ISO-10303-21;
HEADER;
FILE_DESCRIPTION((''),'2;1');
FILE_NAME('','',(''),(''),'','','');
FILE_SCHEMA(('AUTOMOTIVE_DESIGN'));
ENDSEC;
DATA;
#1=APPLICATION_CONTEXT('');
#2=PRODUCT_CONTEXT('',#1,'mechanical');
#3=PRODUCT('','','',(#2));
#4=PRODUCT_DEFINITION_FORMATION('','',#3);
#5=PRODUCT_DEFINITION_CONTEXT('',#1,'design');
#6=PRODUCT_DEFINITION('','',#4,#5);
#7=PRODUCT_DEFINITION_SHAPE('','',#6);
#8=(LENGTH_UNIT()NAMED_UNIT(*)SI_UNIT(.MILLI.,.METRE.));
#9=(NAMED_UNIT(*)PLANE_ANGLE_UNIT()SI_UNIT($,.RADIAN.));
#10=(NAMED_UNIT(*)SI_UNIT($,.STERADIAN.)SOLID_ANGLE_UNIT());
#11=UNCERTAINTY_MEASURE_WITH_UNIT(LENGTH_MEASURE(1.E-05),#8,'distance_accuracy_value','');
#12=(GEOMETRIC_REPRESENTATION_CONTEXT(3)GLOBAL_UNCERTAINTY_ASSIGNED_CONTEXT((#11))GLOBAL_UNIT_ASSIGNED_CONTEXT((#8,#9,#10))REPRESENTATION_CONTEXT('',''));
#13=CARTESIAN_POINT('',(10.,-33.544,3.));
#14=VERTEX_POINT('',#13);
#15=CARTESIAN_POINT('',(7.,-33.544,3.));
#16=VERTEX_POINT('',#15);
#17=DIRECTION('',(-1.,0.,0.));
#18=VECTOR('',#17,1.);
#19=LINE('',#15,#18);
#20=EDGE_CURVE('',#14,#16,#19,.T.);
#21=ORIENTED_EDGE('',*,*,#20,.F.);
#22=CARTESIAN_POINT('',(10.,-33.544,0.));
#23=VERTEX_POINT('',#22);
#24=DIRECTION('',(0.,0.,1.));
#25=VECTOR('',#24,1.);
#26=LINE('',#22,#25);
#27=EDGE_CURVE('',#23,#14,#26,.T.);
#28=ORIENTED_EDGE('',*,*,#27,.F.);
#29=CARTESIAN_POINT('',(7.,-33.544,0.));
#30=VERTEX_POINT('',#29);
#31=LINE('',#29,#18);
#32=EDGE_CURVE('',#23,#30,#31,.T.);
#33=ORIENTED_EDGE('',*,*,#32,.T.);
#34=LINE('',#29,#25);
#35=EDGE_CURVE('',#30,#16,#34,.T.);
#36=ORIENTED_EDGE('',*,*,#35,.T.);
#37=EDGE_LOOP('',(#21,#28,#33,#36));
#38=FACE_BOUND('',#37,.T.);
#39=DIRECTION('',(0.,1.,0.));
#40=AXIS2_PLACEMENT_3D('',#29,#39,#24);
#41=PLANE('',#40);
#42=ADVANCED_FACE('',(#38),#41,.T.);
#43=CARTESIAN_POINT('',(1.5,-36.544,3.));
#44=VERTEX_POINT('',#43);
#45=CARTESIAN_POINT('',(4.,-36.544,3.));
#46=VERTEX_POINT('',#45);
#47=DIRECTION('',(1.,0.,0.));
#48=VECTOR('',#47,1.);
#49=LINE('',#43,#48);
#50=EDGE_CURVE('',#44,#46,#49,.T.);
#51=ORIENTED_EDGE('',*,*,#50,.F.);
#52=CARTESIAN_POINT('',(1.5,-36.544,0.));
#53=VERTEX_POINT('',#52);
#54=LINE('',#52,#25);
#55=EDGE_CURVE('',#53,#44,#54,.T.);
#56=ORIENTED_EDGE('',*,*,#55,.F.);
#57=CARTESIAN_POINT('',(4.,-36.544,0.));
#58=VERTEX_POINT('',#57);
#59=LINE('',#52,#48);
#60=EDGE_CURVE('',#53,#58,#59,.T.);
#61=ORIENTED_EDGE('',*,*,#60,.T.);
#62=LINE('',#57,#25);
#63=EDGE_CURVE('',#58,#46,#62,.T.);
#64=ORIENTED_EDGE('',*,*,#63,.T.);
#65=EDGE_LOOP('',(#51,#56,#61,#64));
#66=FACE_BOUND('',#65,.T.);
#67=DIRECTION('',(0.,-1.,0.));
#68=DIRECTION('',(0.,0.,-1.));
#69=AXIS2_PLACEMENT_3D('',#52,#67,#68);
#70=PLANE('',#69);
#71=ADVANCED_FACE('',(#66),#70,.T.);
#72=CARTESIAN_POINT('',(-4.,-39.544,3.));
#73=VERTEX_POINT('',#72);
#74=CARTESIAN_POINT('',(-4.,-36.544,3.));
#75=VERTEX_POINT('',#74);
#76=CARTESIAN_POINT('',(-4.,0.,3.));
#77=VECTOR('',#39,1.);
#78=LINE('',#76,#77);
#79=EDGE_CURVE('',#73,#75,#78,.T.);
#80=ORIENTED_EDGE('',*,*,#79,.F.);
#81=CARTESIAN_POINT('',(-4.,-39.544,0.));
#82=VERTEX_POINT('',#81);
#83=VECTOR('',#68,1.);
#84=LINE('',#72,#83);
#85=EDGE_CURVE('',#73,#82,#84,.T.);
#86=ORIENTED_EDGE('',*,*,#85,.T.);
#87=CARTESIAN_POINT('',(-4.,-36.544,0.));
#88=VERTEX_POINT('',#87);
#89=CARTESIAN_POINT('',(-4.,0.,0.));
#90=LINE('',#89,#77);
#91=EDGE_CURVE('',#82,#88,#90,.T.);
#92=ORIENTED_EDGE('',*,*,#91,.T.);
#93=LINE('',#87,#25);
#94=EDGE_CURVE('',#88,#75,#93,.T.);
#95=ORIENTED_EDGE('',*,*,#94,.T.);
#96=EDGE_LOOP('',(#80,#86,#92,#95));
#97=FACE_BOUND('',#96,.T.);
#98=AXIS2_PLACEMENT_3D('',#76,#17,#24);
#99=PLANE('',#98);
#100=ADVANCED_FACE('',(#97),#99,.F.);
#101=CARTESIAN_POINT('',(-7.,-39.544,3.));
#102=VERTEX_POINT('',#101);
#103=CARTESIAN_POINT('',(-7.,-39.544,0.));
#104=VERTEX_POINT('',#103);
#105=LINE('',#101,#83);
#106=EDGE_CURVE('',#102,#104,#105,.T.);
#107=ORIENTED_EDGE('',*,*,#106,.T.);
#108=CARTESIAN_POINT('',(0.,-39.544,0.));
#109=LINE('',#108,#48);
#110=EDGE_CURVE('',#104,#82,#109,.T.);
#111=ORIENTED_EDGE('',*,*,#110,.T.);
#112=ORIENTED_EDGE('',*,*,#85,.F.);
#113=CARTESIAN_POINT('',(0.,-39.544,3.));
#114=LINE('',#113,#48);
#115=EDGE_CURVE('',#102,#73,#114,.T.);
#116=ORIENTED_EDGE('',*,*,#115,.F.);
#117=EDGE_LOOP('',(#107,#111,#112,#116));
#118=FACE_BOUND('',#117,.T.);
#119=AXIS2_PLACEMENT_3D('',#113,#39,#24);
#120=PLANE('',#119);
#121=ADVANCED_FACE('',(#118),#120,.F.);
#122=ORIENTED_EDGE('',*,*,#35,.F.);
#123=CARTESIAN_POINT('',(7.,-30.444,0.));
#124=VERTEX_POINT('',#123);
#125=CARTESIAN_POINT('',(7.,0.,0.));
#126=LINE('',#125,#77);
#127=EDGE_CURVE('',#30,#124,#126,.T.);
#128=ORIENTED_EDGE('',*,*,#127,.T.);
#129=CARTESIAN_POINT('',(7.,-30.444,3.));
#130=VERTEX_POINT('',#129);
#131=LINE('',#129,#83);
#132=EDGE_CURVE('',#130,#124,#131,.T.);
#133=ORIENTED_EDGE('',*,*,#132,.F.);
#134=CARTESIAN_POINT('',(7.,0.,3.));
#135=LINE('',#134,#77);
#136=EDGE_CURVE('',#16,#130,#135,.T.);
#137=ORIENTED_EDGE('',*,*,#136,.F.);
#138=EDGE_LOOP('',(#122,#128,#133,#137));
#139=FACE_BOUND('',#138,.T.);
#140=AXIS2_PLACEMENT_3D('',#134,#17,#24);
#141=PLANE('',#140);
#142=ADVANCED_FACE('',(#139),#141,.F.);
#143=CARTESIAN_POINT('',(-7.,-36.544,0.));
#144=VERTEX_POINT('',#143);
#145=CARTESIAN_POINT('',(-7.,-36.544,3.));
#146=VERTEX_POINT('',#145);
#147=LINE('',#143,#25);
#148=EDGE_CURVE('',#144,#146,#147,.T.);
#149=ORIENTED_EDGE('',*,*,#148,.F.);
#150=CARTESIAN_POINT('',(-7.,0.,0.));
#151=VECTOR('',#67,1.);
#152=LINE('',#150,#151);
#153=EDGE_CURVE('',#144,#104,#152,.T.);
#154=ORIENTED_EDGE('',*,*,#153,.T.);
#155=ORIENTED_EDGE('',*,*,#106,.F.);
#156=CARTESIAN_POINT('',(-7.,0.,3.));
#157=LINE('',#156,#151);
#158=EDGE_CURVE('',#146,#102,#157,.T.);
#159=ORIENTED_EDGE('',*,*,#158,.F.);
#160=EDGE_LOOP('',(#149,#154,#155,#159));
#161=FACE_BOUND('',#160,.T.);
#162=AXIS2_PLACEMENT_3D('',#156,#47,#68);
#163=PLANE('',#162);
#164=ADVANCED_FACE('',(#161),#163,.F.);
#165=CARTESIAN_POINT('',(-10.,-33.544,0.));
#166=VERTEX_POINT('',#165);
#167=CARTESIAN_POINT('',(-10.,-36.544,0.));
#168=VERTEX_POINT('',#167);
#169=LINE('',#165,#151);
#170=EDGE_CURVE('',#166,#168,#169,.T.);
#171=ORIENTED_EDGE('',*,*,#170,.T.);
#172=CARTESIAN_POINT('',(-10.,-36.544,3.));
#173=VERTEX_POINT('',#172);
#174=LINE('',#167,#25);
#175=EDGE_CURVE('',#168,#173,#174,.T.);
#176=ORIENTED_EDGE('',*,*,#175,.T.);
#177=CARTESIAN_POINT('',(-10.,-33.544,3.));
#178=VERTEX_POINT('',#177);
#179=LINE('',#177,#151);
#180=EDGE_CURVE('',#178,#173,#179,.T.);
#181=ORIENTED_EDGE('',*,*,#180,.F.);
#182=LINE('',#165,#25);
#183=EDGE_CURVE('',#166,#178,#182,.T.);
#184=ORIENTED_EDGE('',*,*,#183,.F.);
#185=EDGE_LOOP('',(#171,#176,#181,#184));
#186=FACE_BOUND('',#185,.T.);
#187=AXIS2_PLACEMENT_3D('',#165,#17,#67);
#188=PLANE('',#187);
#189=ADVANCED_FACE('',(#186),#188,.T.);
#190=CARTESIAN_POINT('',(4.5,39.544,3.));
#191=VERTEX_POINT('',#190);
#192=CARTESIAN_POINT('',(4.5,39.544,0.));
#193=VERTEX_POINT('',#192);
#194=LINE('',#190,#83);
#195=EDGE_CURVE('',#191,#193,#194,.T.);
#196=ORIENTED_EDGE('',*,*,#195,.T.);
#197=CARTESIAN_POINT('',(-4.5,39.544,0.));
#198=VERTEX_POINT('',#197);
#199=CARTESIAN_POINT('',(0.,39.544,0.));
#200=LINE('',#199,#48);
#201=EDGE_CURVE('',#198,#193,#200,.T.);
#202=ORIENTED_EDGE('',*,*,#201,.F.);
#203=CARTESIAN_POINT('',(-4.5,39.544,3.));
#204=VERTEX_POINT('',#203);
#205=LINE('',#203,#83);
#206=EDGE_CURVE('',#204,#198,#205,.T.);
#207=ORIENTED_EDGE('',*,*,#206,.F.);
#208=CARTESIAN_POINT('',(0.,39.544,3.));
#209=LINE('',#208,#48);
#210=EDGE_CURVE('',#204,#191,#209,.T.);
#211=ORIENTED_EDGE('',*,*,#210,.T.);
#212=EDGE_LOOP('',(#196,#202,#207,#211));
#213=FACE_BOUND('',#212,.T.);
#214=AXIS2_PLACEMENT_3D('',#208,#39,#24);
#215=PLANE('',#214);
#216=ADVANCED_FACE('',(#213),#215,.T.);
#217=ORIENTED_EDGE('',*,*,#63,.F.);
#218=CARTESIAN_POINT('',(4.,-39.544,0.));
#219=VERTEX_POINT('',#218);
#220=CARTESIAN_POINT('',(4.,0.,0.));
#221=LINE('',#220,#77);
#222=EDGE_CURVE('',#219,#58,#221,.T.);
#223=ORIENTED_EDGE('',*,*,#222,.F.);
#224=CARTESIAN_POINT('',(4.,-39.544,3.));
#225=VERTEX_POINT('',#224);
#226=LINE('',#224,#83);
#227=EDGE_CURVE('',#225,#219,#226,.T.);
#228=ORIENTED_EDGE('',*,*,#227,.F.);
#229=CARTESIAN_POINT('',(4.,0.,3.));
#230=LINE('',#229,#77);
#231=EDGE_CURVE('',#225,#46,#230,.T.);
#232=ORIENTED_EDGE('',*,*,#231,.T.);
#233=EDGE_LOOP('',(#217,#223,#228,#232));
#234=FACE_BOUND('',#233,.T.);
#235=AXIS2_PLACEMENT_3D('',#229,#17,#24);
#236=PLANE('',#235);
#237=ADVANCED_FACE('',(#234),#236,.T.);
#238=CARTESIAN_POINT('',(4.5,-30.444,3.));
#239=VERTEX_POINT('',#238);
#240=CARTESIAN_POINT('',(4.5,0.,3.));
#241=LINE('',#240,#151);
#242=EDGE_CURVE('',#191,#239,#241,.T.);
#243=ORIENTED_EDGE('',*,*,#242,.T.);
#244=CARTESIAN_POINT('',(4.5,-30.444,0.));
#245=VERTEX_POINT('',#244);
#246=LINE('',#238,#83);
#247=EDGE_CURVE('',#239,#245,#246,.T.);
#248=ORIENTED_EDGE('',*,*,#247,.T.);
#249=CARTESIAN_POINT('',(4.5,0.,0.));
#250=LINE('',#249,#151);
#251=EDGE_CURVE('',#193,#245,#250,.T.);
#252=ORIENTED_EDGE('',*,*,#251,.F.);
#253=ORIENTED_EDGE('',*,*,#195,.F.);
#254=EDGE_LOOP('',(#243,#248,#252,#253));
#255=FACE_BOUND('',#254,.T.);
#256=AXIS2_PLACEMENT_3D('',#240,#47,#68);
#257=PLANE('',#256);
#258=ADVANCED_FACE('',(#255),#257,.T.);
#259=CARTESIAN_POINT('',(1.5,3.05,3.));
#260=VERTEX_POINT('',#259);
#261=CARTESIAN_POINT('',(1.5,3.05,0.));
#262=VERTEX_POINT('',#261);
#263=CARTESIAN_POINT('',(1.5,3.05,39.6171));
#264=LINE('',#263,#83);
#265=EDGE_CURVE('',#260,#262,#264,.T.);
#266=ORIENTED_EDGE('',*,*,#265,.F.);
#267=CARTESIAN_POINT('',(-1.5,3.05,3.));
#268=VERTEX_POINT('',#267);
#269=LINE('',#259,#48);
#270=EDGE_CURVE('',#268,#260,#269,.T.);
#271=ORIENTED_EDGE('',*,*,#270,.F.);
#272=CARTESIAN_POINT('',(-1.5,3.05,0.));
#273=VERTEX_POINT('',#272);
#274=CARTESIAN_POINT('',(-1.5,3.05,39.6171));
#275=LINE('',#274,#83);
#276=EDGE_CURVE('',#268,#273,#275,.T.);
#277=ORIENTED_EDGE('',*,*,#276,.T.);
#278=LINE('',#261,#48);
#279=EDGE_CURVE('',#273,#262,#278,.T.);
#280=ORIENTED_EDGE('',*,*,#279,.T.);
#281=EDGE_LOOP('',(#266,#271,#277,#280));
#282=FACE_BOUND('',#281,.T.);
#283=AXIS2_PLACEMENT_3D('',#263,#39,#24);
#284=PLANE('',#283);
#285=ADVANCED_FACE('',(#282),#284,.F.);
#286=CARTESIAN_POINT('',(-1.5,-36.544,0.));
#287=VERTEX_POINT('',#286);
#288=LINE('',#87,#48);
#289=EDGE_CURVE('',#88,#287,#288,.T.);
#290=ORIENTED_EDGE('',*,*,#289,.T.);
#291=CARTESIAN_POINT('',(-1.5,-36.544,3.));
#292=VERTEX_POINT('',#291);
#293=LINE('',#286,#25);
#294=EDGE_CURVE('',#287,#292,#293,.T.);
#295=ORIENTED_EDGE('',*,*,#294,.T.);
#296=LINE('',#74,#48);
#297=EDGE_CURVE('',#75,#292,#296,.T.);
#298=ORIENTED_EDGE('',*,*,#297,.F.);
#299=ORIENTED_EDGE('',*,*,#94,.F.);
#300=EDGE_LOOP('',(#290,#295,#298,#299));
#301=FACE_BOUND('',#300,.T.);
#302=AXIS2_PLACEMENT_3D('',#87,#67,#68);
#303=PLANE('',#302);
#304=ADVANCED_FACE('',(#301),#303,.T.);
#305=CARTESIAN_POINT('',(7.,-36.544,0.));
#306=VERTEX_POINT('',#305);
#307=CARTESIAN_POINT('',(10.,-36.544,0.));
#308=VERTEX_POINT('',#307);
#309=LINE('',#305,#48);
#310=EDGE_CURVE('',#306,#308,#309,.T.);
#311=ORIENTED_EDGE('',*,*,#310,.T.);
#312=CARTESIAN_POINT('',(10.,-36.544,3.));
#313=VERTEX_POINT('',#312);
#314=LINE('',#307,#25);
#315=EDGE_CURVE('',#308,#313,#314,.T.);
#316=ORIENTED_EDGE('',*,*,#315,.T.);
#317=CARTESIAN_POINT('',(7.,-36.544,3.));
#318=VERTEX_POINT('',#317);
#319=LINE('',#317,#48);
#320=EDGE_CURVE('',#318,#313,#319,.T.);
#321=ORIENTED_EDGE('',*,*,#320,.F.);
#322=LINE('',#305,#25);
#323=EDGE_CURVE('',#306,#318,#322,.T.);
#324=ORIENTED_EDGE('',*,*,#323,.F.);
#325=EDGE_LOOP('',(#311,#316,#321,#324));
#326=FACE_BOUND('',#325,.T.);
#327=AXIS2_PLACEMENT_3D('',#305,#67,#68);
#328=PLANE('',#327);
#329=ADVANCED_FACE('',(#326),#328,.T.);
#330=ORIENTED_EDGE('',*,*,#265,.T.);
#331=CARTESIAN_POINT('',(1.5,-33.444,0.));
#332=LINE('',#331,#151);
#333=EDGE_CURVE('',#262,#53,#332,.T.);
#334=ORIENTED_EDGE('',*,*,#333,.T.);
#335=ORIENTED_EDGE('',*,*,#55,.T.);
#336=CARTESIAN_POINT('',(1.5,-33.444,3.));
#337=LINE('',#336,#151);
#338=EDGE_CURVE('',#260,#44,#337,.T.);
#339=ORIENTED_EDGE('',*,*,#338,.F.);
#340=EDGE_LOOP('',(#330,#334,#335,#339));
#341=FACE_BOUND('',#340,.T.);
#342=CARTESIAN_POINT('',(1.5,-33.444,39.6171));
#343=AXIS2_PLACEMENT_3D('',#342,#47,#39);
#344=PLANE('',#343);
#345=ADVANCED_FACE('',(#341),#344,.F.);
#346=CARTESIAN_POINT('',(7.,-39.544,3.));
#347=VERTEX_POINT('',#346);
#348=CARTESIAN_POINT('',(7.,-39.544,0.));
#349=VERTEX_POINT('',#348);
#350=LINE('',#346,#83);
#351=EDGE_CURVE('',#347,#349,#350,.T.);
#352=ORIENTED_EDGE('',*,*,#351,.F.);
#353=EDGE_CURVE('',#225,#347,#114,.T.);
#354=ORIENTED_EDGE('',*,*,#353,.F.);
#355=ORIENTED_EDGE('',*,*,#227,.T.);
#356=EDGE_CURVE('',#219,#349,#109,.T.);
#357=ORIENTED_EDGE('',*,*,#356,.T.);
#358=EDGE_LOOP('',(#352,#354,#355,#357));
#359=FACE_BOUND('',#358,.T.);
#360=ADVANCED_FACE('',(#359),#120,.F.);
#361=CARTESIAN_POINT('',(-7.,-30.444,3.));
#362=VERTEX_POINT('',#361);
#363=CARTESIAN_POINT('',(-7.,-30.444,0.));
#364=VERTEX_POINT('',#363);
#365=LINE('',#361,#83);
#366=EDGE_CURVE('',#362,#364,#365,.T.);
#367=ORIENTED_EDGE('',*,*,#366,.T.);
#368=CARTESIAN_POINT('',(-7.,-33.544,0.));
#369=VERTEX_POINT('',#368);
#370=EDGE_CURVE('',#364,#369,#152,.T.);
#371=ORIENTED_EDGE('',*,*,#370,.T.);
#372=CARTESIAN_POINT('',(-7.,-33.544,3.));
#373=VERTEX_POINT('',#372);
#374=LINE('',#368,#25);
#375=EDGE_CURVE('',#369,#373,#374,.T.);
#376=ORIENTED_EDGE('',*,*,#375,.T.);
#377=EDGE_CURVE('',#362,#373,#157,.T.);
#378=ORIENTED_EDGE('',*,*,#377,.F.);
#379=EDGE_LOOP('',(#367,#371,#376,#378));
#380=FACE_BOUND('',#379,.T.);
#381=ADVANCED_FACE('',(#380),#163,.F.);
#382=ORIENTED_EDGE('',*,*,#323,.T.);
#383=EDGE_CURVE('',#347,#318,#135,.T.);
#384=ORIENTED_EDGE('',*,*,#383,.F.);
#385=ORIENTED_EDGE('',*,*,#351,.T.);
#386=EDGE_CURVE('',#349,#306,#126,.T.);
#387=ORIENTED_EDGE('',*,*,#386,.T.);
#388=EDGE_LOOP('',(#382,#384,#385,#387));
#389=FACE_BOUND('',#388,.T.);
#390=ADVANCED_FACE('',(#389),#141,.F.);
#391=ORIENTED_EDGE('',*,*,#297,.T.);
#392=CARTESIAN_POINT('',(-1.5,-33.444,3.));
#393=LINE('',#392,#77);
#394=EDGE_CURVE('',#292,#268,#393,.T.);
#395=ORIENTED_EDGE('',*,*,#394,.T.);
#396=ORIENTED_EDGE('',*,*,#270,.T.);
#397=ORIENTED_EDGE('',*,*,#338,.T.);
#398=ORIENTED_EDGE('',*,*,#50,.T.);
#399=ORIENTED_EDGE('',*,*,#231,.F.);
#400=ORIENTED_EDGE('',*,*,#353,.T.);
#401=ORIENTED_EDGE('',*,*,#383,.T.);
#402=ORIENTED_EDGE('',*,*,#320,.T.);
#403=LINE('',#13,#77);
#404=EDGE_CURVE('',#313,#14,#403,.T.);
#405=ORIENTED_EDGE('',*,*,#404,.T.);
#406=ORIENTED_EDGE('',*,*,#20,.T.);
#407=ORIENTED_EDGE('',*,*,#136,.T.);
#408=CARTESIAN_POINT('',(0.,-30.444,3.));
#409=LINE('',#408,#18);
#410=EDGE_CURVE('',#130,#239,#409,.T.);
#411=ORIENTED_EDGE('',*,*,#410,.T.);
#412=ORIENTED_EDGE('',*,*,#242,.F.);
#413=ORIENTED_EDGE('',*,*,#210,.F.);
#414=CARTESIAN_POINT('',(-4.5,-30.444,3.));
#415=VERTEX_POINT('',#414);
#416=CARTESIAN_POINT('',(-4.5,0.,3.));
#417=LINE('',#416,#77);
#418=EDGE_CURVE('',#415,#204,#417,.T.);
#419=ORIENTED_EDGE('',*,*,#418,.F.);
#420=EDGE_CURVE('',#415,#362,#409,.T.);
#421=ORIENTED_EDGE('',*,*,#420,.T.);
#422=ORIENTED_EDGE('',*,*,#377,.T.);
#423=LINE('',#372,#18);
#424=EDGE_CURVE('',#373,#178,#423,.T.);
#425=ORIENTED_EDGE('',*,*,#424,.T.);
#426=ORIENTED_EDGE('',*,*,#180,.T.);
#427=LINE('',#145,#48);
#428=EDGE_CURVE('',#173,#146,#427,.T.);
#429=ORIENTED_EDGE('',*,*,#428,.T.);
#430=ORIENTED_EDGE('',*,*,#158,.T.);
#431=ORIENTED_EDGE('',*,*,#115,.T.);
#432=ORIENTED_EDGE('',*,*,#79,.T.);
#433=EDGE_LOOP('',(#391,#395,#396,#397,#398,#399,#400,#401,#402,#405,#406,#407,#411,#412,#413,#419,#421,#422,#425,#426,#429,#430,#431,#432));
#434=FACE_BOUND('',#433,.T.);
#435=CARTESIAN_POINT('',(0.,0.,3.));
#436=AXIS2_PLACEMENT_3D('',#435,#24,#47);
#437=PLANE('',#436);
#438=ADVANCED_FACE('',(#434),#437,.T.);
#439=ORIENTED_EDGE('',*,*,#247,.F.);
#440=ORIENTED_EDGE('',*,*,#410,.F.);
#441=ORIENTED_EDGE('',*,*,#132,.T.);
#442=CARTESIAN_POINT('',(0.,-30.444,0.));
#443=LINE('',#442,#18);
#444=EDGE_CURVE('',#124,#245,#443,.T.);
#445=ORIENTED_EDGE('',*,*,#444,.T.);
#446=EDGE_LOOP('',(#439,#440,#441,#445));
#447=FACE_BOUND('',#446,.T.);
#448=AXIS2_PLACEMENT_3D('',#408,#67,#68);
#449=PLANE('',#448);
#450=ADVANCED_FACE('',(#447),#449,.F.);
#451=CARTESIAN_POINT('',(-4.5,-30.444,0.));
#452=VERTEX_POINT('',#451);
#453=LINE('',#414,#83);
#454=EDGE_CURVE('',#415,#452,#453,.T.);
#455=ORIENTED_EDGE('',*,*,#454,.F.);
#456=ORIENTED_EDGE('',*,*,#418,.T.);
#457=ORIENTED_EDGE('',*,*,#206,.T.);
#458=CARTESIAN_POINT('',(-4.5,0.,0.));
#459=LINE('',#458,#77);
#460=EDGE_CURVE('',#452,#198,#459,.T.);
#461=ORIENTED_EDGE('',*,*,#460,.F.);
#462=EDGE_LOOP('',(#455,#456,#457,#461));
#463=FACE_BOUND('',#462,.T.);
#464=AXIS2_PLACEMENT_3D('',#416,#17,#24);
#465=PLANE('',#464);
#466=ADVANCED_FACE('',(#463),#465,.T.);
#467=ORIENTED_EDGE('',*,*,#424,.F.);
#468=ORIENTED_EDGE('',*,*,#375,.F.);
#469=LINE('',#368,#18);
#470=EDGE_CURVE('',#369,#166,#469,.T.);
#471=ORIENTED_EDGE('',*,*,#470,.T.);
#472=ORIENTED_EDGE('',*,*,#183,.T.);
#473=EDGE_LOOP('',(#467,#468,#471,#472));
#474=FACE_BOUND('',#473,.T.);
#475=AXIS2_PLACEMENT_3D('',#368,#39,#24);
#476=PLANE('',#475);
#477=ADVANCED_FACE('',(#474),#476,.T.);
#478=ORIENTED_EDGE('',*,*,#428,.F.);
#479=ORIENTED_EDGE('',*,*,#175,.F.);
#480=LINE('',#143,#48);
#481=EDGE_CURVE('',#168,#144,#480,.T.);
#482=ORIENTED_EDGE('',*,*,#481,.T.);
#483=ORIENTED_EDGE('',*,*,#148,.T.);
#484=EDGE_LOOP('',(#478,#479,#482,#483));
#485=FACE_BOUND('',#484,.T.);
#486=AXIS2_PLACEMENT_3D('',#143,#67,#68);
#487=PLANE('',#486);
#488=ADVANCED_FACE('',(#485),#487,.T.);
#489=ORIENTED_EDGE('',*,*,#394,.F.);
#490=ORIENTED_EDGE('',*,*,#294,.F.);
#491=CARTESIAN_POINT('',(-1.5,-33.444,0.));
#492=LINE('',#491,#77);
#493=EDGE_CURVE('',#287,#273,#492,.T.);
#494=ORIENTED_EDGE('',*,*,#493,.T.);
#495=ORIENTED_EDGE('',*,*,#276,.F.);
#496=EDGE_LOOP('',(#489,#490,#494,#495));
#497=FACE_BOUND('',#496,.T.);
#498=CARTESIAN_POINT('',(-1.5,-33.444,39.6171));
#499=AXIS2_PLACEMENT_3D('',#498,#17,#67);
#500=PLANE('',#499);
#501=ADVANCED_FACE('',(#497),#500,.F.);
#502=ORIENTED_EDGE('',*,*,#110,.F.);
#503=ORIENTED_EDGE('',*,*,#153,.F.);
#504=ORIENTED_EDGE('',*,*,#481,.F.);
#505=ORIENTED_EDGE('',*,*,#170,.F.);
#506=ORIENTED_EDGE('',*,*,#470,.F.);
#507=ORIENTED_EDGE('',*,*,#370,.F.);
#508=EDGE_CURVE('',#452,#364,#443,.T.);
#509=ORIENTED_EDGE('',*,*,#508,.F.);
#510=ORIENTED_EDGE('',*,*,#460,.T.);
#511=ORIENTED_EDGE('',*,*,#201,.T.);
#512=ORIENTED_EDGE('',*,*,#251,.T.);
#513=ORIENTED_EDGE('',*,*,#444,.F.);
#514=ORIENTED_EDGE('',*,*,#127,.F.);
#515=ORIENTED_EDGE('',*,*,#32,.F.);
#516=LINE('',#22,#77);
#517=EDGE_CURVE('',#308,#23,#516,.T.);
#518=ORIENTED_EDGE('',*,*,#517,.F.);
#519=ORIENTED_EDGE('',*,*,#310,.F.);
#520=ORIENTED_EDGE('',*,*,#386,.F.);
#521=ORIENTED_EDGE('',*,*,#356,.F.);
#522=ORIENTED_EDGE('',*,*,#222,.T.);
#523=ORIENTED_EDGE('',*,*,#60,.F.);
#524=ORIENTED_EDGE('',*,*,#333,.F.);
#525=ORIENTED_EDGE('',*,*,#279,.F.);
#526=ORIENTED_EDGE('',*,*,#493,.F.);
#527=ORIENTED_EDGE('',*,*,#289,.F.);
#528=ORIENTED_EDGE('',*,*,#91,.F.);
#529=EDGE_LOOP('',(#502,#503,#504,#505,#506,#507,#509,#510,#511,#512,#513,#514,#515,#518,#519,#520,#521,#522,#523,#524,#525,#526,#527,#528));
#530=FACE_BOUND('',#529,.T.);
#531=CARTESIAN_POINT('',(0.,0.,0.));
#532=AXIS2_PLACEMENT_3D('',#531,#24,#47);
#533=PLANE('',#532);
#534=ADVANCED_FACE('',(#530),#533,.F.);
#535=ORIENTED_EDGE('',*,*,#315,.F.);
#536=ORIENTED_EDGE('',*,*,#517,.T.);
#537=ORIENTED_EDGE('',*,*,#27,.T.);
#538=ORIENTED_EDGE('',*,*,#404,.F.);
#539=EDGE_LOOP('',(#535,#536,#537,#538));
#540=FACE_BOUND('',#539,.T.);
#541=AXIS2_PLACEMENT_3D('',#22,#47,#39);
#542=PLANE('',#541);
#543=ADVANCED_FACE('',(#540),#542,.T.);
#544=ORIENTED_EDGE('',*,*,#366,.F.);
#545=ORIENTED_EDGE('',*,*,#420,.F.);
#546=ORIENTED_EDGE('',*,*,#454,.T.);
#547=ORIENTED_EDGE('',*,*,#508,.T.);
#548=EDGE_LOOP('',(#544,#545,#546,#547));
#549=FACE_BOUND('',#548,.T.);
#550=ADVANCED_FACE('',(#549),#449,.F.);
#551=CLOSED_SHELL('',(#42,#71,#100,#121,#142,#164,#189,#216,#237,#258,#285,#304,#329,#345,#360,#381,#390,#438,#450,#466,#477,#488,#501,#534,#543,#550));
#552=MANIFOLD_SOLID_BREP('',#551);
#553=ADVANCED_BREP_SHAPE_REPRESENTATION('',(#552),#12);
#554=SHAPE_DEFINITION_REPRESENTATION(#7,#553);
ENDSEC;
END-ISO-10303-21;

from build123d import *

# Parameters (mm, degrees)
EXTRUDE_1_DEPTH     = 3
SKETCH_2_W          = 3
SKETCH_2_H          = 36.493999941
CUT_EXTRUDE_1_DEPTH = 3
SKETCH_3_W          = 3
SKETCH_3_H          = 3
EXTRUDE_2_DEPTH     = 3
SKETCH_5_W          = 2.5
SKETCH_5_H          = 3.1
EXTRUDE_3_DEPTH     = 3


with BuildPart() as part:
    # 스케치1 → 보스-돌출1 (new body)
    with BuildSketch(Plane.XY):
        Polygon((-4.5, 39.543999941), (4.5, 39.543999941), (4.5, -30.443999941), (7, -30.443999941), (7, -39.543999941), (4, -39.543999941), (4, -33.443999941), (-4, -33.443999941), (-4, -39.543999941), (-7, -39.543999941), (-7, -30.443999941), (-4.5, -30.443999941), align=None)
    extrude(amount=EXTRUDE_1_DEPTH)

    # 스케치2 → 컷-돌출1 (cut)
    with BuildSketch(Plane(origin=(0, 0, 0), x_dir=(-1, 0, 0), z_dir=(0, 0, -1))):
        with Locations((0, -15.196999971)):
            Rectangle(SKETCH_2_W, SKETCH_2_H)
    extrude(amount=-CUT_EXTRUDE_1_DEPTH, mode=Mode.SUBTRACT)

    # 스케치3 → 보스-돌출2 (add)
    with BuildSketch(Plane.XY.offset(3)):
        with Locations((-8.5, -35.043999941)):
            Rectangle(SKETCH_3_W, SKETCH_3_H)
        with Locations((8.5, -35.043999941)):
            Rectangle(SKETCH_3_W, SKETCH_3_H)
    extrude(amount=-EXTRUDE_2_DEPTH)

    # 스케치5 → 보스-돌출3 (add)
    with BuildSketch(Plane.XY.offset(3)):
        with Locations((-2.75, -34.993999941)):
            Rectangle(SKETCH_5_W, SKETCH_5_H)
        with Locations((2.75, -34.993999941)):
            Rectangle(SKETCH_5_W, SKETCH_5_H)
    extrude(amount=-EXTRUDE_3_DEPTH)


solid = part.part
